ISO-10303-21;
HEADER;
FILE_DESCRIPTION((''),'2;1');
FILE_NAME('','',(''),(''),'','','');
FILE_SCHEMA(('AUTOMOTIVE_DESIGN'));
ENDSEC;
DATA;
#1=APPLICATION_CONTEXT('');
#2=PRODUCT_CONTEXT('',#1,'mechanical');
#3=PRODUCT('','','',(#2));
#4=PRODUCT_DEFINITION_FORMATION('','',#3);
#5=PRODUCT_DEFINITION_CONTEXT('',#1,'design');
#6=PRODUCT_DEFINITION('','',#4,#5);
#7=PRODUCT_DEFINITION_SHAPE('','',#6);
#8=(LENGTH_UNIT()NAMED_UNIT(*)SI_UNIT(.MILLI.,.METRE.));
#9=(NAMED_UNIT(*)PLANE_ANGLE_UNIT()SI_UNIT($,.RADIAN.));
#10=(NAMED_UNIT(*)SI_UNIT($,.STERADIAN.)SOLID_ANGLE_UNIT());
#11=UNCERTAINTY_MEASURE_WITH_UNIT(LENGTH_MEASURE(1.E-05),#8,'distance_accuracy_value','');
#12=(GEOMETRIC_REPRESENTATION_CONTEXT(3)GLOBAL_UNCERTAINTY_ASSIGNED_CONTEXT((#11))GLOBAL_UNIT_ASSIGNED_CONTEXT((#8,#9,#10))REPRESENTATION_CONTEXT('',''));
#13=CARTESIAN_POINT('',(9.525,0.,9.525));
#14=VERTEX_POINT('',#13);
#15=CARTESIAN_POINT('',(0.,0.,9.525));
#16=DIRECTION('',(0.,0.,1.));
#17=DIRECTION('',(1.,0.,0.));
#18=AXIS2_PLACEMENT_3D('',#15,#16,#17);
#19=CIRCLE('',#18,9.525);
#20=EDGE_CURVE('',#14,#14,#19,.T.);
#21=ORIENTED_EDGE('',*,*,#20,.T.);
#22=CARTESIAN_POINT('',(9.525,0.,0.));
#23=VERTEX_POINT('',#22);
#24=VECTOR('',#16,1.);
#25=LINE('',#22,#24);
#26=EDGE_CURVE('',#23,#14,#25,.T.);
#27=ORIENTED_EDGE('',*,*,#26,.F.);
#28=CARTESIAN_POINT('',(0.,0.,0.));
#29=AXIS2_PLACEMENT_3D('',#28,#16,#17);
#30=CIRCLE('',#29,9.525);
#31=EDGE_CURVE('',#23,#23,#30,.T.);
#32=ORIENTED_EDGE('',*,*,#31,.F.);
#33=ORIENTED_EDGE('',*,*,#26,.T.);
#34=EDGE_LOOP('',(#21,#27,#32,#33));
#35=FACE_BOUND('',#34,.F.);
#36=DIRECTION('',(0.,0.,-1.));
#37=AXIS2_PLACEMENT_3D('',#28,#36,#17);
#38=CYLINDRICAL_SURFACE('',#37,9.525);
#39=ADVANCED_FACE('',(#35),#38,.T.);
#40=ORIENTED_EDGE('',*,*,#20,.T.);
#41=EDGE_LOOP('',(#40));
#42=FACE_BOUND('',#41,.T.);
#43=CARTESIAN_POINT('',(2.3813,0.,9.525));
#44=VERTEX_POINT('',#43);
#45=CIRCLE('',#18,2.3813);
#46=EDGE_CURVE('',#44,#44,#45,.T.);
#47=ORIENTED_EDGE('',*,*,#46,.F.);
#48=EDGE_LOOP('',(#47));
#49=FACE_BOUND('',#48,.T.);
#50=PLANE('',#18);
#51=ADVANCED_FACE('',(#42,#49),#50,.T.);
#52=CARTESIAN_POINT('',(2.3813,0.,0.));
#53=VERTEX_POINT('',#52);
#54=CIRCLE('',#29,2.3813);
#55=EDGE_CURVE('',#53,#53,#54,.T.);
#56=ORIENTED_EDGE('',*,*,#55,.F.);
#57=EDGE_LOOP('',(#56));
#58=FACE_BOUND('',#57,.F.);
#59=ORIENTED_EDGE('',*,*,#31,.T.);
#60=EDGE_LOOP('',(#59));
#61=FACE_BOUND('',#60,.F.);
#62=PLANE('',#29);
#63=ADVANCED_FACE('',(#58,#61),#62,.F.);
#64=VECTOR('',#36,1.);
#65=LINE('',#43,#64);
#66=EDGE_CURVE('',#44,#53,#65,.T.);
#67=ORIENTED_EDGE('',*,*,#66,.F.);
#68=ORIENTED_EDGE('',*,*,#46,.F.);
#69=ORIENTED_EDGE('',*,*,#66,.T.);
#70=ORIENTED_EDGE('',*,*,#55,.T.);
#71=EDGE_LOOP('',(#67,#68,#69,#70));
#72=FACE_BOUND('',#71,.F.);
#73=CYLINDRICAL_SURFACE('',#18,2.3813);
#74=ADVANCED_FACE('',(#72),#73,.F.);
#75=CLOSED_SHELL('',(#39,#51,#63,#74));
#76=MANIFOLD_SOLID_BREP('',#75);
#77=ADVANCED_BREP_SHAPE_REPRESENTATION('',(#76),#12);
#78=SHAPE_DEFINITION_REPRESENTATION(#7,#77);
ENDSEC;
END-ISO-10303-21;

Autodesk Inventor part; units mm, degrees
ref_plane "YZ Plane" through (0, 0, 0) normal (1, 0, 0) x (0, 1, 0)
ref_plane "XZ Plane" through (0, 0, 0) normal (0, 1, 0) x (-1, 0, 0)
ref_plane "XY Plane" through (0, 0, 0) normal (0, 0, 1) x (1, 0, 0)
sketch "Sketch1" plane through (0, 0, 0) normal (0, 0, 1) x (1, 0, 0)
  circle A0 centre (0, 0) radius 9.525
  dimension "d0" = 19.05
extrude "Extrusion1" add sketch "Sketch1" along normal blind 9.525
sketch "Sketch2" plane through (0, 0, 9.525) normal (0, 0, 1) x (1, 0, 0)
  circle A0 centre (0, 0) radius 9.525 projected
  circle A1 centre (0, 0) radius 2.3813
  dimension "d3" = 4.7625
extrude "Extrusion2" cut sketch "Sketch2" against normal blind 25.4 contours A1
properties part number "1 8th pulley"
